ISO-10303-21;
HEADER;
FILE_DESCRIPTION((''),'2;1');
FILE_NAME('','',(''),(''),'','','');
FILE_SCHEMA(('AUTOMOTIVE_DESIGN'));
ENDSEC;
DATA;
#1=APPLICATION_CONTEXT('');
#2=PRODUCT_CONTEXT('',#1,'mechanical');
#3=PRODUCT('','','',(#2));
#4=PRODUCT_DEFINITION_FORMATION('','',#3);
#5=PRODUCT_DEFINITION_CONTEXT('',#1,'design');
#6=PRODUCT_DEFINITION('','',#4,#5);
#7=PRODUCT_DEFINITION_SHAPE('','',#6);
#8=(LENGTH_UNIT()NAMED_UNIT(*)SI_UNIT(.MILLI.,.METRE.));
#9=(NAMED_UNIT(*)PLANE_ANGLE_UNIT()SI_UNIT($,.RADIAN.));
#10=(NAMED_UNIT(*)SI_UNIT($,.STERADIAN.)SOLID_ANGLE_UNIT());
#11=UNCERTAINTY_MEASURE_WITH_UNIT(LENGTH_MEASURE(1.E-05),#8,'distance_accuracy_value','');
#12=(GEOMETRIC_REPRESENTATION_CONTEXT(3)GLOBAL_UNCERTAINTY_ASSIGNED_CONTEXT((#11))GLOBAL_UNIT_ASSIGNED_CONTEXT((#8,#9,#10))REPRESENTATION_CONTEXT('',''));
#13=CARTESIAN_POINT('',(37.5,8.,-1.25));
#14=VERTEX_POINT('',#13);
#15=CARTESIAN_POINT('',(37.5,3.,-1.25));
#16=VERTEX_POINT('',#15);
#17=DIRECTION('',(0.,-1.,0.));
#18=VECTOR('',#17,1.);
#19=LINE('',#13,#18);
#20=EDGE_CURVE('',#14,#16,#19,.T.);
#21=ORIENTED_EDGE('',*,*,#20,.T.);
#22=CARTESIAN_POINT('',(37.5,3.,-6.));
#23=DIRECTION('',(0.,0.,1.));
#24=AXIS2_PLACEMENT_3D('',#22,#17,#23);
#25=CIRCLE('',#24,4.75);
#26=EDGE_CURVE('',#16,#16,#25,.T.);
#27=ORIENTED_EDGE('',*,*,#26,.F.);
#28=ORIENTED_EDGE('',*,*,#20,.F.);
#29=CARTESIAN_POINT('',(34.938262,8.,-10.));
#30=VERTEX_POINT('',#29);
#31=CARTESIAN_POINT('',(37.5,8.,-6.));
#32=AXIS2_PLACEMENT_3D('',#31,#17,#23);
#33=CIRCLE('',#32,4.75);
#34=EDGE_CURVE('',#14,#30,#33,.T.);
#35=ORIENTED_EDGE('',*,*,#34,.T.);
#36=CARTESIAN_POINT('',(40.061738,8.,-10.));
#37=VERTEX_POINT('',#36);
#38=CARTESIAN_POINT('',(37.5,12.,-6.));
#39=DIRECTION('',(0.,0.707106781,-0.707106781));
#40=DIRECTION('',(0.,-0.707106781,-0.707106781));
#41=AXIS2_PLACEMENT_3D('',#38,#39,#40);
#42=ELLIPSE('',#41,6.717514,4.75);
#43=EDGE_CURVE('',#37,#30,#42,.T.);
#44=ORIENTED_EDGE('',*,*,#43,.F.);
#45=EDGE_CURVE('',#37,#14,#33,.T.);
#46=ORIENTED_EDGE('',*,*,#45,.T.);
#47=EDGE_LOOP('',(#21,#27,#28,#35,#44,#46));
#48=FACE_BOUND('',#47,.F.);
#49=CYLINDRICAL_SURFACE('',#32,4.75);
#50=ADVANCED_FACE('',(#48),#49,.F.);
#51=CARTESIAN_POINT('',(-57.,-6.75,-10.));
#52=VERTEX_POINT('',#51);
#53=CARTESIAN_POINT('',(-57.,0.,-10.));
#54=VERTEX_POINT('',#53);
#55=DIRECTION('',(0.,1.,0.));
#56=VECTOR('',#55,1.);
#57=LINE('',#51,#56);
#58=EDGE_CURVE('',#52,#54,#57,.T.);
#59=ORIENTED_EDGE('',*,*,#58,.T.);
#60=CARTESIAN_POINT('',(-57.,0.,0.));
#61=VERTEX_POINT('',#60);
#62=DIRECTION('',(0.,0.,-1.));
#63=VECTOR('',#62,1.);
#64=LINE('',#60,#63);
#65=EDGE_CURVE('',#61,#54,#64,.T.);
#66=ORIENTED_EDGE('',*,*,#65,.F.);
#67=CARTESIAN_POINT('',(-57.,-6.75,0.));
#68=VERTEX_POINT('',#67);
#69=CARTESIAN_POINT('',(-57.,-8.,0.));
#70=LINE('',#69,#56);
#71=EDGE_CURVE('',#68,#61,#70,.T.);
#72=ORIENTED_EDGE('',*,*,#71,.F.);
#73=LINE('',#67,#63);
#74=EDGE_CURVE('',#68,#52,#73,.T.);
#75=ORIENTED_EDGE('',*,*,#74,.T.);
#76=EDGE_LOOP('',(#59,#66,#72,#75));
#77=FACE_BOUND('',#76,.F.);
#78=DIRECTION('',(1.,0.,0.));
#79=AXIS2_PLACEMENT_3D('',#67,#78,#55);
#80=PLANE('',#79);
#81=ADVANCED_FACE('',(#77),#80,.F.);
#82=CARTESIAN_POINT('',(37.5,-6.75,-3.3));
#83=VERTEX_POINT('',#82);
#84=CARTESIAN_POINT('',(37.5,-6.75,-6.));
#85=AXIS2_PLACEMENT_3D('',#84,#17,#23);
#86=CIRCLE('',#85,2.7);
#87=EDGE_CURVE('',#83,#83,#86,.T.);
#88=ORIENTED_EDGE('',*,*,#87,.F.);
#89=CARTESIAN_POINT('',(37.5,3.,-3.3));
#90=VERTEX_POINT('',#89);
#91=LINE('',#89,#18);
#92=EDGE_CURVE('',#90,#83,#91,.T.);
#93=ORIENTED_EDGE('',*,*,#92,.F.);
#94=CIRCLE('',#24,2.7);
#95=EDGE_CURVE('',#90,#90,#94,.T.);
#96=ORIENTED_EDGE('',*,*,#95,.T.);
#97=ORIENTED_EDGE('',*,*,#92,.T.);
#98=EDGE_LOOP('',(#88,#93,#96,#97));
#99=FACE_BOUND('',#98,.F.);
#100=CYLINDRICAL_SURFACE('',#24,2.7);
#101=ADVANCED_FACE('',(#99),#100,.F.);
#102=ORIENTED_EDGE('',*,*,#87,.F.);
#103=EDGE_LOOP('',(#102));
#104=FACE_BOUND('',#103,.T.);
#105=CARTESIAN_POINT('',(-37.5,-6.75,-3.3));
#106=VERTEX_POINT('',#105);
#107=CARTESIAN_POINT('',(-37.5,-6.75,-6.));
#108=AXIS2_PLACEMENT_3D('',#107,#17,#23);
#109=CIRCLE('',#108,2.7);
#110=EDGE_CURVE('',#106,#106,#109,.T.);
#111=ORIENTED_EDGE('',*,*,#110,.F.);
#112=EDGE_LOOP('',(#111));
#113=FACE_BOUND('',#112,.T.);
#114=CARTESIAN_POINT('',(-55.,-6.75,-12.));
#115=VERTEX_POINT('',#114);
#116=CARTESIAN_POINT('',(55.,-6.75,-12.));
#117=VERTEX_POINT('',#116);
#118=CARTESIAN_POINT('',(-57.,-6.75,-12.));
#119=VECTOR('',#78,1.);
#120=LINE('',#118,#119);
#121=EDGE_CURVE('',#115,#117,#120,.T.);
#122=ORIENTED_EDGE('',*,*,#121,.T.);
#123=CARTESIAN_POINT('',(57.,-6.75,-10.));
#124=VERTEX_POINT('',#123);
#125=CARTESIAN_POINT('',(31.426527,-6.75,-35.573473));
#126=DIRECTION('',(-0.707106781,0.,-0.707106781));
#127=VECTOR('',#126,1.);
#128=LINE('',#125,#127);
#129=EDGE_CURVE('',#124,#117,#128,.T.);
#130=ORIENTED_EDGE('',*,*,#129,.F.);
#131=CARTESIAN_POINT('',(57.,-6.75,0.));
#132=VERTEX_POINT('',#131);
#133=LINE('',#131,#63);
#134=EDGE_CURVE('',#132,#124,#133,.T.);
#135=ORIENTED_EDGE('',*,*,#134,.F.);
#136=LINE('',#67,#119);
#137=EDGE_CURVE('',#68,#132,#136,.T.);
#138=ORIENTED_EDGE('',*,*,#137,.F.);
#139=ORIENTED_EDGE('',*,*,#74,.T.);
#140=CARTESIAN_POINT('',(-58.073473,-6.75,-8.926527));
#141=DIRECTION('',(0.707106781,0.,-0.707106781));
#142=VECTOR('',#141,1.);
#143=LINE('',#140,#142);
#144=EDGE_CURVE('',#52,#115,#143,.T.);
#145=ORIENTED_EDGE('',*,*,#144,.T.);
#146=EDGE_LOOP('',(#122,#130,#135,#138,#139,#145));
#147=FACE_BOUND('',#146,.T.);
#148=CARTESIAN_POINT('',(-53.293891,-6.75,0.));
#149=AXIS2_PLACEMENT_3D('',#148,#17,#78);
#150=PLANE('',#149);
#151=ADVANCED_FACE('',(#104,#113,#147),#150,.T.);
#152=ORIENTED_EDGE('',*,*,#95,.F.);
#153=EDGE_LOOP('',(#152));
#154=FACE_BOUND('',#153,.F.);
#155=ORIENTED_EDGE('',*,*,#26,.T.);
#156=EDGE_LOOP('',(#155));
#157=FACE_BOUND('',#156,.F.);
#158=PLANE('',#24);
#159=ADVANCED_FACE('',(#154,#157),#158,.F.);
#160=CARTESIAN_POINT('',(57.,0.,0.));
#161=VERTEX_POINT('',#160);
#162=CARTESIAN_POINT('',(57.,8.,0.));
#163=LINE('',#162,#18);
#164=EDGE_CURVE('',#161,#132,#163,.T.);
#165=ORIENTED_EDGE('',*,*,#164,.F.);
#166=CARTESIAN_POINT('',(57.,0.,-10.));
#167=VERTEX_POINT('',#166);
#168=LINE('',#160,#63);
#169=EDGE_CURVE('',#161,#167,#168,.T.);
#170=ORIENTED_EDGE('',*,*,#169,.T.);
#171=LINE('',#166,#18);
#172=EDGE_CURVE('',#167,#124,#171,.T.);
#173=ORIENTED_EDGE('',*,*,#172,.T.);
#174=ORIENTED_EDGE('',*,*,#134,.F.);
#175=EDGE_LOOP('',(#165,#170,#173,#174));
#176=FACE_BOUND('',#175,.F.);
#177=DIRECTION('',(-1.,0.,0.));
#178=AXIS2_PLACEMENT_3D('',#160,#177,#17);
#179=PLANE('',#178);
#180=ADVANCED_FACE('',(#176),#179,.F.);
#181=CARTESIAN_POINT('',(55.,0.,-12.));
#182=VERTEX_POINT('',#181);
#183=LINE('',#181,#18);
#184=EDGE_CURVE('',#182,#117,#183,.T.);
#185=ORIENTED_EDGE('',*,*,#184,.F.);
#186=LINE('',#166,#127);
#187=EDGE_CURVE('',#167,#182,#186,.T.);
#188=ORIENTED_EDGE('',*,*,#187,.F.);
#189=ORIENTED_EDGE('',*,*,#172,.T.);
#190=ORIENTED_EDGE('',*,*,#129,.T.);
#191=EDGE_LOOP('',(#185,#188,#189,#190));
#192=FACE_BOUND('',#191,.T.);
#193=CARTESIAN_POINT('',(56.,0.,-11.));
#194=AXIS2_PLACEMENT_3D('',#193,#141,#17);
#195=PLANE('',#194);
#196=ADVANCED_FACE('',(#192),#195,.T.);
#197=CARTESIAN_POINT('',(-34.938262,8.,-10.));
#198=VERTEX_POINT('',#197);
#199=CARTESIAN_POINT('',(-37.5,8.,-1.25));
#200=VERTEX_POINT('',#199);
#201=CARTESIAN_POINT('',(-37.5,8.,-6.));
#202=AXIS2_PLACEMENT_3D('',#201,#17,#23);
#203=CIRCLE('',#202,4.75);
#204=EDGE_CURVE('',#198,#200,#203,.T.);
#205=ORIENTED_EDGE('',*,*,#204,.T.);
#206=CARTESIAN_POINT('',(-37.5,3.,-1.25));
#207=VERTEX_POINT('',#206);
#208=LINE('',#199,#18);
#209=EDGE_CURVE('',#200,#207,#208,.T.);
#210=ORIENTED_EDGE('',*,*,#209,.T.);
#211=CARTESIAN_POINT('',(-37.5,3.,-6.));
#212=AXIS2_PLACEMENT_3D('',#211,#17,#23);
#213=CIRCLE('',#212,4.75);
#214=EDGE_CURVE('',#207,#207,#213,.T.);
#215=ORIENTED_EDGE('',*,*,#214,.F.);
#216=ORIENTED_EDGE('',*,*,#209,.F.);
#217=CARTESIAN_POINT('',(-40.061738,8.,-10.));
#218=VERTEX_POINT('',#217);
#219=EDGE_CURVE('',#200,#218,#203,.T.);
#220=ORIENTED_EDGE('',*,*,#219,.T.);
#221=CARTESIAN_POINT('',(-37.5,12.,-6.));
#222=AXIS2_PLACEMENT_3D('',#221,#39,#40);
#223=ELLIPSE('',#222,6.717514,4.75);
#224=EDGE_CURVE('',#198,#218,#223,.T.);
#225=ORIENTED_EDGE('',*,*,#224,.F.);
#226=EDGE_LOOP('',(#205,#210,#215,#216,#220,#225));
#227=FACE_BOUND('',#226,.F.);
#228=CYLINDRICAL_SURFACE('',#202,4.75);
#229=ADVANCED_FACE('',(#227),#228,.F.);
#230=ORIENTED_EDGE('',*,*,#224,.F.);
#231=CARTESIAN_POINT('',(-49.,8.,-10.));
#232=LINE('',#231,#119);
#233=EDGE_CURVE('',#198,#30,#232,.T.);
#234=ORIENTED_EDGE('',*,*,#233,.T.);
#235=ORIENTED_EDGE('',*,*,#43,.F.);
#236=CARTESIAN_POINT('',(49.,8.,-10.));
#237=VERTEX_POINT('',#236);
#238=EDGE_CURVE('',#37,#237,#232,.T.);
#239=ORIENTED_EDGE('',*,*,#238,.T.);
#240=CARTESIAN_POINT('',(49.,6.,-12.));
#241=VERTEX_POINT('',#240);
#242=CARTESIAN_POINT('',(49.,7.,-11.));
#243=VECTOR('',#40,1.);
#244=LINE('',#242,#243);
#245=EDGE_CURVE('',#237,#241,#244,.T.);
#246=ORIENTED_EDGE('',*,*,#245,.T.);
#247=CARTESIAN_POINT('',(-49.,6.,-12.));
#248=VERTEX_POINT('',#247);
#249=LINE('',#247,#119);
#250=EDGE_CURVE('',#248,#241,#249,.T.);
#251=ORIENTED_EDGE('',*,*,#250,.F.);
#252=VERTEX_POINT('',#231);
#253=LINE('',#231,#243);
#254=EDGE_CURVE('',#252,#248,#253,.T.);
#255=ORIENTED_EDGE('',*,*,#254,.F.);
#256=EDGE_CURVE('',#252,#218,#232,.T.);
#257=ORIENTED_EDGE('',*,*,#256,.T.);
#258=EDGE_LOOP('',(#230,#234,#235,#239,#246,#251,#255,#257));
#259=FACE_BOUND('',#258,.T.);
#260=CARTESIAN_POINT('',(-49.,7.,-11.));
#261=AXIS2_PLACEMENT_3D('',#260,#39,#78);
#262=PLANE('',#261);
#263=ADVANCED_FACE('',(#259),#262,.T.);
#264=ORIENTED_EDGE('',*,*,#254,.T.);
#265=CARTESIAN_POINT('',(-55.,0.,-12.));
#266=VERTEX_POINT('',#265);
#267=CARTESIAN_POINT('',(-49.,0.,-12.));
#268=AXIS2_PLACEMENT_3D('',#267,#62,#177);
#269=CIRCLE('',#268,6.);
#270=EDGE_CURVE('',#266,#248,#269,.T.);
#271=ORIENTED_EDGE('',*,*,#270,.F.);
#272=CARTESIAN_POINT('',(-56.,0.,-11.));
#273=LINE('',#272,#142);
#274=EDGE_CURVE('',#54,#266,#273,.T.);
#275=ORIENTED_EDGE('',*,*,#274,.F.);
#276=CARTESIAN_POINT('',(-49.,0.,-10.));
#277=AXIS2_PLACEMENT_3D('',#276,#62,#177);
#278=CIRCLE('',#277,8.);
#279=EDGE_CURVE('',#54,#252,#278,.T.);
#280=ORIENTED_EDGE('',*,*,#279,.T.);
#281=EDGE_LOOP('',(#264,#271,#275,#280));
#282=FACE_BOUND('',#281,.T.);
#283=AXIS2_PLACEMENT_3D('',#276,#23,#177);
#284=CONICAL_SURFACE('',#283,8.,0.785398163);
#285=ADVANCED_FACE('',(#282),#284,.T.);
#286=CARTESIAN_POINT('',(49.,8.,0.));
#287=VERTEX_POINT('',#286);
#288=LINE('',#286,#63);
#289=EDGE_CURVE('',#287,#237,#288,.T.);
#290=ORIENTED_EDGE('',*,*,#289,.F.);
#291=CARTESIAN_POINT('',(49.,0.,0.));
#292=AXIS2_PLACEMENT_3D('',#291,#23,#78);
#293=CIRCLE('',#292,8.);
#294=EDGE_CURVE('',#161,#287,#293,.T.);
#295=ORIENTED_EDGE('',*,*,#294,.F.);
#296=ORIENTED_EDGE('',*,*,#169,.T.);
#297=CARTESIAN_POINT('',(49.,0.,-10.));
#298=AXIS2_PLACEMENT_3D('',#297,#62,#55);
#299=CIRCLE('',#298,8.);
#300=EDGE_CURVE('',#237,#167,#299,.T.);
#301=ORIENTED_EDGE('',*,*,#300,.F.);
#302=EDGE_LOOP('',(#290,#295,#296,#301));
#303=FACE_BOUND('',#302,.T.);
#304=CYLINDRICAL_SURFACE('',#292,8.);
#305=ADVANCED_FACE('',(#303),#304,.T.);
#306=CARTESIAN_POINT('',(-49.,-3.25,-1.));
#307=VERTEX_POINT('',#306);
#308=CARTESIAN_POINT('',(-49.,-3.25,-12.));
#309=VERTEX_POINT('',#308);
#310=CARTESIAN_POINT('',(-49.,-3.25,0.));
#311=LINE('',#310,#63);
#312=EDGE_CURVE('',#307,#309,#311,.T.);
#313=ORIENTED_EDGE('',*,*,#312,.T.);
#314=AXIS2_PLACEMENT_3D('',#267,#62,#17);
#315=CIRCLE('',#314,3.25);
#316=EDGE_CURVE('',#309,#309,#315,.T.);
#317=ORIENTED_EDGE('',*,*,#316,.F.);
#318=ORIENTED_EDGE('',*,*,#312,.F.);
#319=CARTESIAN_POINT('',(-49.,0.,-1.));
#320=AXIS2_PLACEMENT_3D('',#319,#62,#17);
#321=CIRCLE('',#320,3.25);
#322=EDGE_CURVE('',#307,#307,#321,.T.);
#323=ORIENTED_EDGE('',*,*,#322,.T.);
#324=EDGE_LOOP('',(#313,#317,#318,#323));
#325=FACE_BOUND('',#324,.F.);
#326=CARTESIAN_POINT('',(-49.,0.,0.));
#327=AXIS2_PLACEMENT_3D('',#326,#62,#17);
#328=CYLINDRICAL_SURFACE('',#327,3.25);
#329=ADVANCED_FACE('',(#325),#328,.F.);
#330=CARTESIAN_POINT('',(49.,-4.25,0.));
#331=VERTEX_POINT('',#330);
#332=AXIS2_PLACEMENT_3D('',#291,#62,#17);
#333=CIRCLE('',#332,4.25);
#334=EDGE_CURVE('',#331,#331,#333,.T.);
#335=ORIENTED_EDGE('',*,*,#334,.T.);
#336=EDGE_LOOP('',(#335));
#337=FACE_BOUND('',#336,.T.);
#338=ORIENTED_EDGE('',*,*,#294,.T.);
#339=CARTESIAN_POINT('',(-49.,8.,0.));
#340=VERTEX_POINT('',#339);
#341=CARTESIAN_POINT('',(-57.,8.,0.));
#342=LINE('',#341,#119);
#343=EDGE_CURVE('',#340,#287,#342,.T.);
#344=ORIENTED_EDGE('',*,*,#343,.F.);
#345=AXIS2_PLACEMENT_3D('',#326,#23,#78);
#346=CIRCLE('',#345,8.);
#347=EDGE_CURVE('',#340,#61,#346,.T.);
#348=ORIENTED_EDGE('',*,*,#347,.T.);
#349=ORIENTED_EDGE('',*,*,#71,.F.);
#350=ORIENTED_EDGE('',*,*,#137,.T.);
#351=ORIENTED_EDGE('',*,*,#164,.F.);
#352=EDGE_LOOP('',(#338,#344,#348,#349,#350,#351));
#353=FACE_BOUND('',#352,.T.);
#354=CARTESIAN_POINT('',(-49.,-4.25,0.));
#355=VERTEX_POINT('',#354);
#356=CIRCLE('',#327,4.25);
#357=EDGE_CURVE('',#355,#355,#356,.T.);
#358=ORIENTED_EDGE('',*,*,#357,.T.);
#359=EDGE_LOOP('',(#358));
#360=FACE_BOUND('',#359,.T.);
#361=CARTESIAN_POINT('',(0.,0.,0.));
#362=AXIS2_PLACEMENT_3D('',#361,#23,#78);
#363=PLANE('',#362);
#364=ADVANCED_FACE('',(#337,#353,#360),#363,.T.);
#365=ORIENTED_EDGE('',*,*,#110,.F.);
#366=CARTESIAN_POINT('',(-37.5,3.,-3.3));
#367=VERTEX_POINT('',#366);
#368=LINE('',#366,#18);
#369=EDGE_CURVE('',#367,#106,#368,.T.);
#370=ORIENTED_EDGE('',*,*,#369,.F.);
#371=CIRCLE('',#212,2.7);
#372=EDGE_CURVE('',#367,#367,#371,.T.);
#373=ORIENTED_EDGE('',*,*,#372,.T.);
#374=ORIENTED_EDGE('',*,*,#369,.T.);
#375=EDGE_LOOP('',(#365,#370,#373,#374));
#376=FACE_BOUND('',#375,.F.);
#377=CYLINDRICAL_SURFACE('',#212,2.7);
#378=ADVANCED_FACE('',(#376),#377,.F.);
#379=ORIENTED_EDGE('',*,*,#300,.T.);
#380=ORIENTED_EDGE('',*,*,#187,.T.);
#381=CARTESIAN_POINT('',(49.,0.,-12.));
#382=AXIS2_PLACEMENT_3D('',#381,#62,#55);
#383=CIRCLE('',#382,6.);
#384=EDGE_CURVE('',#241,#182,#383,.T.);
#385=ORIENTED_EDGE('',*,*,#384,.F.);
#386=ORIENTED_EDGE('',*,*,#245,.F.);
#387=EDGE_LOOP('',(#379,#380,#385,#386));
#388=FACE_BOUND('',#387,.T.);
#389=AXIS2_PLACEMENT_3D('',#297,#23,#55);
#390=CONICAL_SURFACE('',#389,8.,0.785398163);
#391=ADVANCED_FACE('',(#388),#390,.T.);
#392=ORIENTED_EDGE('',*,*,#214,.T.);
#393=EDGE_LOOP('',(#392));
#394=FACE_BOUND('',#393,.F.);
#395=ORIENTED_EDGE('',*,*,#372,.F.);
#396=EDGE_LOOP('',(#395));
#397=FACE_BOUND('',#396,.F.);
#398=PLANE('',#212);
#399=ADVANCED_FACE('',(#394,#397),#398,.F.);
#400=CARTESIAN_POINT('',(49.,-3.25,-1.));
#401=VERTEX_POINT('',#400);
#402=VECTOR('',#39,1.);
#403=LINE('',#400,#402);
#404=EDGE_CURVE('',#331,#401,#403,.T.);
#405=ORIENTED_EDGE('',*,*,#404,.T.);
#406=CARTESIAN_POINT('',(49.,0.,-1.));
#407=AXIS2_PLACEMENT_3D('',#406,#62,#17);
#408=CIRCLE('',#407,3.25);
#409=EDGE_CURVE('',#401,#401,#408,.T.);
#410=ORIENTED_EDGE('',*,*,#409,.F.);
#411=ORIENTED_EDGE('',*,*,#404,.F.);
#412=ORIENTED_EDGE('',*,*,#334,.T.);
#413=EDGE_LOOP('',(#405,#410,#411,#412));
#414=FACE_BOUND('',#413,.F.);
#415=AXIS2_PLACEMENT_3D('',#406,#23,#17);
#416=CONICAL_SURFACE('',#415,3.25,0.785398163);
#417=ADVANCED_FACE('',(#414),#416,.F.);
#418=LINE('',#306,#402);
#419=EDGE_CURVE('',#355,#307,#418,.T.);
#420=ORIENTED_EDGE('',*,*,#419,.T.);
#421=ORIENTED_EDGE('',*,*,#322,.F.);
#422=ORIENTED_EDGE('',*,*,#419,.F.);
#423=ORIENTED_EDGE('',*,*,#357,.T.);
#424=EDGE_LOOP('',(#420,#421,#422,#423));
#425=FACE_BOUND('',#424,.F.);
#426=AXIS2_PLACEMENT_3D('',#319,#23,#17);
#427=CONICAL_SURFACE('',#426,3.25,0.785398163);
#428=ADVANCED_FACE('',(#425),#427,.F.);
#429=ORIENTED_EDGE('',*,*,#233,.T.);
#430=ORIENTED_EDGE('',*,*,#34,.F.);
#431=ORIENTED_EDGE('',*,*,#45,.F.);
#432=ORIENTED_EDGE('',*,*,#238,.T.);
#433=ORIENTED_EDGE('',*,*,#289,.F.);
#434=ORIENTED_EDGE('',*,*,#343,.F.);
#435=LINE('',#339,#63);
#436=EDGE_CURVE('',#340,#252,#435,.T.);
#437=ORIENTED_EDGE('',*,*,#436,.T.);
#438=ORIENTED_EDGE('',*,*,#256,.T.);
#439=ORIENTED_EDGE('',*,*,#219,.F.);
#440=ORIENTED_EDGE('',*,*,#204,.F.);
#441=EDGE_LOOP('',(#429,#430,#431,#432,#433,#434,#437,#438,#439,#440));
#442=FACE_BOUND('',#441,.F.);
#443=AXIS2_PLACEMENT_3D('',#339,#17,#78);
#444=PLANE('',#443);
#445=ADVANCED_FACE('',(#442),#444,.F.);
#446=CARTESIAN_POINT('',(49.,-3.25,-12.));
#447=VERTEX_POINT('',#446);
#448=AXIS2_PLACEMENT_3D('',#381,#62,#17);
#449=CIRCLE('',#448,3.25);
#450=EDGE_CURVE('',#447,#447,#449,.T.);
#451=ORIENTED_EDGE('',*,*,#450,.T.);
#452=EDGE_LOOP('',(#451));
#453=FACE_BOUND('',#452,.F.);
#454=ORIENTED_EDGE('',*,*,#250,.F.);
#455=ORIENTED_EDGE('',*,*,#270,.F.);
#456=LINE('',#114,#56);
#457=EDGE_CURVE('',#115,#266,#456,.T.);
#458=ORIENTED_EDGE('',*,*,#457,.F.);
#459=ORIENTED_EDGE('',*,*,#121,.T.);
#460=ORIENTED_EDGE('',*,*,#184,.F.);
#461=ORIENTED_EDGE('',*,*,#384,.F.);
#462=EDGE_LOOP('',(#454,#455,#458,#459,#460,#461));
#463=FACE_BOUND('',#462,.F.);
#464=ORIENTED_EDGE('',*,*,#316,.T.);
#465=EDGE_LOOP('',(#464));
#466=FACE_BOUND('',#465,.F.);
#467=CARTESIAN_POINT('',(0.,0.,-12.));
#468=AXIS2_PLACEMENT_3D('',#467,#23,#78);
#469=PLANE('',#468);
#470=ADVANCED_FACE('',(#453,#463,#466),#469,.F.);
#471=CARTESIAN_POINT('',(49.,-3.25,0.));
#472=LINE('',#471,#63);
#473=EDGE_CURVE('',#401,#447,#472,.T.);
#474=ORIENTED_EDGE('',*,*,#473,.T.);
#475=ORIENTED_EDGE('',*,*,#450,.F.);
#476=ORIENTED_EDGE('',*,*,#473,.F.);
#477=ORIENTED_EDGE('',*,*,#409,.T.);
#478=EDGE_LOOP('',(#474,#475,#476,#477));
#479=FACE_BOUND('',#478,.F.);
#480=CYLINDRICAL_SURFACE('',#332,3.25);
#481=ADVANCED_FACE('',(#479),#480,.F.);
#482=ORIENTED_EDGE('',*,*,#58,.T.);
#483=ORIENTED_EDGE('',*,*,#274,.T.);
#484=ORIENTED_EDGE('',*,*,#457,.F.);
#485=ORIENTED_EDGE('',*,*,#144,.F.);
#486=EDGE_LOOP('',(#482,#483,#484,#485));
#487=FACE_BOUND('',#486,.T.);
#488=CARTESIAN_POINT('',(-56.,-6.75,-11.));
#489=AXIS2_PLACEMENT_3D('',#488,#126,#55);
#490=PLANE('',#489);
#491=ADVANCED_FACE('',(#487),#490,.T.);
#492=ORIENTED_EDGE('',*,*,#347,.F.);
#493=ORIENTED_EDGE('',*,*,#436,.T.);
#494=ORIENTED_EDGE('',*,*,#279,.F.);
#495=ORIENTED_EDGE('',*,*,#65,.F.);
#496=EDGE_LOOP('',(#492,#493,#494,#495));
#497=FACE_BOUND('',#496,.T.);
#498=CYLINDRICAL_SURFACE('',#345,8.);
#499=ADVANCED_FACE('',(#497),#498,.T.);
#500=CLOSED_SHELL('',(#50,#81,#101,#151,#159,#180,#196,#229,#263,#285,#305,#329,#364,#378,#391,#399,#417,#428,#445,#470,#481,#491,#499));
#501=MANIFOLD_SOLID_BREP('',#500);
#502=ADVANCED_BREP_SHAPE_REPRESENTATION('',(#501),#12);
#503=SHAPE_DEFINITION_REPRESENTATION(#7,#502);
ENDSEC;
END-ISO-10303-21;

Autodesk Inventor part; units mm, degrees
ref_plane "YZ Plane" through (0, 0, 0) normal (1, 0, 0) x (0, 1, 0)
ref_plane "XZ Plane" through (0, 0, 0) normal (0, 1, 0) x (-1, 0, 0)
ref_plane "XY Plane" through (0, 0, 0) normal (0, 0, 1) x (1, 0, 0)
sketch "Sketch1" plane through (0, 0, 0) normal (0, 0, 1) x (1, 0, 0)
  line L0 (-49, 0) -> (49, 0) construction
  line L1 (-53.7631, 0) -> (-51.3816, 4.125)
  line L2 (-51.3816, 4.125) -> (-46.6184, 4.125)
  line L3 (-46.6184, 4.125) -> (-44.2369, 0)
  line L4 (-44.2369, 0) -> (-46.6184, -4.125)
  line L5 (-46.6184, -4.125) -> (-51.3816, -4.125)
  line L6 (-51.3816, -4.125) -> (-53.7631, 0)
  line L7 (53.7631, 0) -> (51.3816, -4.125)
  line L8 (51.3816, -4.125) -> (46.6184, -4.125)
  line L9 (46.6184, -4.125) -> (44.2369, 0)
  line L10 (44.2369, 0) -> (46.6184, 4.125)
  line L11 (46.6184, 4.125) -> (51.3816, 4.125)
  line L12 (51.3816, 4.125) -> (53.7631, 0)
  line L13 (57, -8) -> (-57, -8)
  line L14 (-57, -8) -> (-57, 8)
  line L15 (-57, 8) -> (57, 8)
  line L16 (57, 8) -> (57, -8)
  line L17 (57, -8) -> (-57, 8) construction
  line L18 (-57, -8) -> (57, 8) construction
  line L19 (-57, -6.75) -> (57, -6.75)
  circle A0 centre (-49, 0) radius 8
  circle A1 centre (49, 0) radius 8
  point P0 (0, 0)
  point P1 (0, 0)
  point P2 (49, 8)
  point P3 (-49, 8)
  point P4 (-57, 0)
  point P5 (57, 0)
  dimension "d0" = 98
  dimension "d1" = 8.25
  dimension "d2" = 16
  dimension "d3" = 8
  dimension "d4" = 8
  dimension "d34" = 6.75
extrude "Extrusion1" add sketch "Sketch1" against normal blind 12 contours L1 L2 L3 L4 L5 L6 | L7 L8 L9 L10 L11 L12 | L19 A1 L16 | A1 L19 | L19 A0 L15 A1 | A0 L19 | L19 L14 A0 picked at (48.2061, -5.875) picked at (-49.7939, -5.875)
chamfer "Chamfer2" distance 2 angle 45 5 edges at (0, 8, -12) (54.6569, 5.6569, -12) (57, -3.375, -12) (-54.6569, 5.6569, -12) (-57, -3.375, -12)
sketch "Sketch2" plane through (-49, 8, 0) normal (0, 1, 0) x (1, 0, 0)
  line L0 (11.5, 6) -> (86.5, 6) construction
  line L1 (98, 0) -> (0, 0) projected
  line L2 (98, 12) -> (0, 12) projected
  line L3 (49, 0) -> (49, 12) construction
  point P0 (49, 6)
  dimension "d14" = 75
hole "Hole1" at (-37.5, 8, -6) at (37.5, 8, -6) direction (0, -1, 0) diameter 5.4 end through all counterbore diameter 9.5 counterbore depth 5
sketch "Sketch3" plane through (0, 0, 0) normal (0, 0, 1) x (1, 0, 0)
  line L0 (-57, -6.75) -> (57, -6.75) projected
  arc A0 (-49, 8) -> (-57, 0) centre (-49, 0) ccw projected
  line L1 (-57, 0) -> (-57, -6.75) projected
  line L2 (57, -6.75) -> (57, 0) projected
  arc A1 (57, 0) -> (49, 8) centre (49, 0) ccw projected
  line L3 (49, 8) -> (-49, 8) projected
  point P0 (0, 0)
hole "Hole2" at (-49, 0, 0) at (49, 0, 0) direction (0, 0, -1) diameter 6.5 end through all
chamfer "Chamfer3" distance 1 angle 45 2 edges at (-49, 3.25, 0) (49, 3.25, 0)
equation "\"d4\" = d3"
properties part number "Front Panel Mount" material "ABS Plastic"
